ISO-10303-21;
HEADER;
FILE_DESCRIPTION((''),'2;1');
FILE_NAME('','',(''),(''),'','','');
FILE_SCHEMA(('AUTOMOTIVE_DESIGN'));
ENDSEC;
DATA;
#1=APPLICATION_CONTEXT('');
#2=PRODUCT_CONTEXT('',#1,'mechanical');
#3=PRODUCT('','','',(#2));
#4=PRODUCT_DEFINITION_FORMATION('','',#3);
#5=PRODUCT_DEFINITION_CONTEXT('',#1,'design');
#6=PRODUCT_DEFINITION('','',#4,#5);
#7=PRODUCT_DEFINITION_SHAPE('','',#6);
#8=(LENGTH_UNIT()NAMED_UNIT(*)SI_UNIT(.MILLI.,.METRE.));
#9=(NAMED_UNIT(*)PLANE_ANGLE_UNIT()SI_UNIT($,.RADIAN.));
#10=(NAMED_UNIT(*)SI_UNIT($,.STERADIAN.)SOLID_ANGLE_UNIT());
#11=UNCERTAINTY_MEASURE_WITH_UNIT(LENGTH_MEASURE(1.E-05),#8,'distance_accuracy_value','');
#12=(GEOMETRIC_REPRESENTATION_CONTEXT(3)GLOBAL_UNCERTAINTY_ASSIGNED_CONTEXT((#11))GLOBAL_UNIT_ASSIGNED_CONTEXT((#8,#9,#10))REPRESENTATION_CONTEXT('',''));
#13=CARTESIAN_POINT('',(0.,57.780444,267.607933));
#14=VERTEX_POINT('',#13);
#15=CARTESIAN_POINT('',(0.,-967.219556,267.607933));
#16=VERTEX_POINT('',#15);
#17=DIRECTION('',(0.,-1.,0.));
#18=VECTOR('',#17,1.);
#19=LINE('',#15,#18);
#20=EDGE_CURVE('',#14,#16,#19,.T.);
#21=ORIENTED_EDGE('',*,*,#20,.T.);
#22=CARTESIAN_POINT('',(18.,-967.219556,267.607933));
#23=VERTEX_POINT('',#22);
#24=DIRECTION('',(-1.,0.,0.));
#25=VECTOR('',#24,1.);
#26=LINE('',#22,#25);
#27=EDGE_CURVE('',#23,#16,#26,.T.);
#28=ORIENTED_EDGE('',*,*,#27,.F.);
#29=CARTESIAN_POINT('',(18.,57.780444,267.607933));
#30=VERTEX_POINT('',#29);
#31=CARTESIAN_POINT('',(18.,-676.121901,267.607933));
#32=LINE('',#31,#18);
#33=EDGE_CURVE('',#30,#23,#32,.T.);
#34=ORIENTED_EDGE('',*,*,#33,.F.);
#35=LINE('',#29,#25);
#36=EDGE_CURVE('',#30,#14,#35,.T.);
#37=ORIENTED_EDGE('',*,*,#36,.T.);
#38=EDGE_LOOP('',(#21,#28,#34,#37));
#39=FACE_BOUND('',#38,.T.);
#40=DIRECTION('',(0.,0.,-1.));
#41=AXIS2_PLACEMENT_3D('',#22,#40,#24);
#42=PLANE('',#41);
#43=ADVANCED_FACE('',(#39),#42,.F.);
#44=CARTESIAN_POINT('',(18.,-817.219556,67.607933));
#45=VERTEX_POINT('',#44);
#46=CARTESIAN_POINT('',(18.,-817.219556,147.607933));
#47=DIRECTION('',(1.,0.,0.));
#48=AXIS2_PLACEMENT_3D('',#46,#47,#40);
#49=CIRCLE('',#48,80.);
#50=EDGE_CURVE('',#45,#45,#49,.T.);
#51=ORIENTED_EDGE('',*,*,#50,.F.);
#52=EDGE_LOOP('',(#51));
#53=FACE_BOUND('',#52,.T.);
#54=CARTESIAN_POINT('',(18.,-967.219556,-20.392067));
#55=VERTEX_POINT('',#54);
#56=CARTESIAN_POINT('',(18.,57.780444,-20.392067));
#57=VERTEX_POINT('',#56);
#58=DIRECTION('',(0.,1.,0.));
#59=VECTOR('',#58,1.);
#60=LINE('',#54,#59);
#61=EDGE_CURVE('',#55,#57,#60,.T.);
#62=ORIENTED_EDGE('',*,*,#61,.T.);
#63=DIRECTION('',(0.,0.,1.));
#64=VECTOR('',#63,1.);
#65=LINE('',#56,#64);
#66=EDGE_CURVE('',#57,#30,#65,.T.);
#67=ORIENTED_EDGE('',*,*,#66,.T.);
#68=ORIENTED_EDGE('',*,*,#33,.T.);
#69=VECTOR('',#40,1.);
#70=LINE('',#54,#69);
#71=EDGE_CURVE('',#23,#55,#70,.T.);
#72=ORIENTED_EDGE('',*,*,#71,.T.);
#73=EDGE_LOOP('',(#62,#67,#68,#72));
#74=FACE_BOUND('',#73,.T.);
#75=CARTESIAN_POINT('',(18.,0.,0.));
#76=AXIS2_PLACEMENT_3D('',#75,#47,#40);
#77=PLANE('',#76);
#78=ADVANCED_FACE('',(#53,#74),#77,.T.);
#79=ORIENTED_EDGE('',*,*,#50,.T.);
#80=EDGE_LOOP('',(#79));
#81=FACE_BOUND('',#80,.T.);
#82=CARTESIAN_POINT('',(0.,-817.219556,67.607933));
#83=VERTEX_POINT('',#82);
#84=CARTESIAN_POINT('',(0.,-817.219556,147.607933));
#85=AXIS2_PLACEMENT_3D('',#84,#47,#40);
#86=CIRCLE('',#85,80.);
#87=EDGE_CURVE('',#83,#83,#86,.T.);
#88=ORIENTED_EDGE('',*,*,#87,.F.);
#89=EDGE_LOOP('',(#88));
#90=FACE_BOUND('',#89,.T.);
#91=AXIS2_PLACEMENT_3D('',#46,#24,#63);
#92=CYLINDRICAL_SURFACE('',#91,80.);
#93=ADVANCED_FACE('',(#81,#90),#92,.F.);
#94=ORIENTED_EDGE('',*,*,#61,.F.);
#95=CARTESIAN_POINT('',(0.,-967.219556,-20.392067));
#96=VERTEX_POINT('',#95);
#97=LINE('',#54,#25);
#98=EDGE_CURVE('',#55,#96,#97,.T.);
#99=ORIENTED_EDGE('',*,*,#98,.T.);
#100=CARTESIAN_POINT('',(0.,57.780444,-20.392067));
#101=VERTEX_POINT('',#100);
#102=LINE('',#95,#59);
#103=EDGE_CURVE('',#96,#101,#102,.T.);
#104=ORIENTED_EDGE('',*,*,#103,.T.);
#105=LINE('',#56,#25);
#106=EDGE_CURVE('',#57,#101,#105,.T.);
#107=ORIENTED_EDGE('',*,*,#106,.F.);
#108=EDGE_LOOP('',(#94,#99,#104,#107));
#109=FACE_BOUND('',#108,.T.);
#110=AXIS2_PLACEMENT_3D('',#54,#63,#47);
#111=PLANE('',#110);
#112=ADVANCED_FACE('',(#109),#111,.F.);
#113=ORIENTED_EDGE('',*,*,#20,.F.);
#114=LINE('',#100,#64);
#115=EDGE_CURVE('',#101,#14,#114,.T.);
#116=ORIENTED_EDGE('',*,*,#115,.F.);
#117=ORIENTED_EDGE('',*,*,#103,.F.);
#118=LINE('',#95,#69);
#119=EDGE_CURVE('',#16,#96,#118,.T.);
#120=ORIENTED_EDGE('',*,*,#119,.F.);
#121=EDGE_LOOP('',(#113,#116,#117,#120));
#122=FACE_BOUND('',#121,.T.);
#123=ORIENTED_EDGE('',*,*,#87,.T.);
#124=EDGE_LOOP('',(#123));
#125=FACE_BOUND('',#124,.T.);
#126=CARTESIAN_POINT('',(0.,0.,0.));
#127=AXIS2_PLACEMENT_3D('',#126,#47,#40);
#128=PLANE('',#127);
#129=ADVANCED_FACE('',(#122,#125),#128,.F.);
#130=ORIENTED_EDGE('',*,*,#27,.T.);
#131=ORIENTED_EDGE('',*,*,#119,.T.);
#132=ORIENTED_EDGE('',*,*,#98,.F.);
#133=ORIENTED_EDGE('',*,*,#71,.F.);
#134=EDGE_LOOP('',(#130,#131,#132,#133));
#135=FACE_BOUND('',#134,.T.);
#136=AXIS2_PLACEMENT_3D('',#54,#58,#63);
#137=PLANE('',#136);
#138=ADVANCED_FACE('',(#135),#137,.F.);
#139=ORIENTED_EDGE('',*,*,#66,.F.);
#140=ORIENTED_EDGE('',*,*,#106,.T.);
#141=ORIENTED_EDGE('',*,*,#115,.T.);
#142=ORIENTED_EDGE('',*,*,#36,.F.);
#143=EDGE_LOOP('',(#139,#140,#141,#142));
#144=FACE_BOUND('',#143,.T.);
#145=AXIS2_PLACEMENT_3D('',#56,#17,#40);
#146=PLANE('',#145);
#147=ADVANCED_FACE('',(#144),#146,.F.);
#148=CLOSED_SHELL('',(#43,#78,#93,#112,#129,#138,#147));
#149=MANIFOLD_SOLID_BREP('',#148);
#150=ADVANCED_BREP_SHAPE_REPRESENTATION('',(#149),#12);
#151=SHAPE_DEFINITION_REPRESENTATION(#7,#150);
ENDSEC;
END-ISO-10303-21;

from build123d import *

# Parameters (mm, degrees)
SKETCH1_R           = 80
BOSS_EXTRUDE1_DEPTH = 18


with BuildPart() as part:
    # Sketch1 → Boss-Extrude1 (new body)
    with BuildSketch(Plane(origin=(0, 0, 0), x_dir=(0, 0, -1), z_dir=(1, 0, 0))):
        Polygon((20.392066811, -967.219556499), (-267.607933189, -967.219556499), (-267.607933189, -836.121901092), (-267.607933189, -676.121901092), (-267.607933189, 57.780443501), (20.392066811, 57.780443501), align=None)
        with Locations((-147.607933189, -817.219556499)):
            Circle(SKETCH1_R, mode=Mode.SUBTRACT)
    extrude(amount=BOSS_EXTRUDE1_DEPTH)


solid = part.part
